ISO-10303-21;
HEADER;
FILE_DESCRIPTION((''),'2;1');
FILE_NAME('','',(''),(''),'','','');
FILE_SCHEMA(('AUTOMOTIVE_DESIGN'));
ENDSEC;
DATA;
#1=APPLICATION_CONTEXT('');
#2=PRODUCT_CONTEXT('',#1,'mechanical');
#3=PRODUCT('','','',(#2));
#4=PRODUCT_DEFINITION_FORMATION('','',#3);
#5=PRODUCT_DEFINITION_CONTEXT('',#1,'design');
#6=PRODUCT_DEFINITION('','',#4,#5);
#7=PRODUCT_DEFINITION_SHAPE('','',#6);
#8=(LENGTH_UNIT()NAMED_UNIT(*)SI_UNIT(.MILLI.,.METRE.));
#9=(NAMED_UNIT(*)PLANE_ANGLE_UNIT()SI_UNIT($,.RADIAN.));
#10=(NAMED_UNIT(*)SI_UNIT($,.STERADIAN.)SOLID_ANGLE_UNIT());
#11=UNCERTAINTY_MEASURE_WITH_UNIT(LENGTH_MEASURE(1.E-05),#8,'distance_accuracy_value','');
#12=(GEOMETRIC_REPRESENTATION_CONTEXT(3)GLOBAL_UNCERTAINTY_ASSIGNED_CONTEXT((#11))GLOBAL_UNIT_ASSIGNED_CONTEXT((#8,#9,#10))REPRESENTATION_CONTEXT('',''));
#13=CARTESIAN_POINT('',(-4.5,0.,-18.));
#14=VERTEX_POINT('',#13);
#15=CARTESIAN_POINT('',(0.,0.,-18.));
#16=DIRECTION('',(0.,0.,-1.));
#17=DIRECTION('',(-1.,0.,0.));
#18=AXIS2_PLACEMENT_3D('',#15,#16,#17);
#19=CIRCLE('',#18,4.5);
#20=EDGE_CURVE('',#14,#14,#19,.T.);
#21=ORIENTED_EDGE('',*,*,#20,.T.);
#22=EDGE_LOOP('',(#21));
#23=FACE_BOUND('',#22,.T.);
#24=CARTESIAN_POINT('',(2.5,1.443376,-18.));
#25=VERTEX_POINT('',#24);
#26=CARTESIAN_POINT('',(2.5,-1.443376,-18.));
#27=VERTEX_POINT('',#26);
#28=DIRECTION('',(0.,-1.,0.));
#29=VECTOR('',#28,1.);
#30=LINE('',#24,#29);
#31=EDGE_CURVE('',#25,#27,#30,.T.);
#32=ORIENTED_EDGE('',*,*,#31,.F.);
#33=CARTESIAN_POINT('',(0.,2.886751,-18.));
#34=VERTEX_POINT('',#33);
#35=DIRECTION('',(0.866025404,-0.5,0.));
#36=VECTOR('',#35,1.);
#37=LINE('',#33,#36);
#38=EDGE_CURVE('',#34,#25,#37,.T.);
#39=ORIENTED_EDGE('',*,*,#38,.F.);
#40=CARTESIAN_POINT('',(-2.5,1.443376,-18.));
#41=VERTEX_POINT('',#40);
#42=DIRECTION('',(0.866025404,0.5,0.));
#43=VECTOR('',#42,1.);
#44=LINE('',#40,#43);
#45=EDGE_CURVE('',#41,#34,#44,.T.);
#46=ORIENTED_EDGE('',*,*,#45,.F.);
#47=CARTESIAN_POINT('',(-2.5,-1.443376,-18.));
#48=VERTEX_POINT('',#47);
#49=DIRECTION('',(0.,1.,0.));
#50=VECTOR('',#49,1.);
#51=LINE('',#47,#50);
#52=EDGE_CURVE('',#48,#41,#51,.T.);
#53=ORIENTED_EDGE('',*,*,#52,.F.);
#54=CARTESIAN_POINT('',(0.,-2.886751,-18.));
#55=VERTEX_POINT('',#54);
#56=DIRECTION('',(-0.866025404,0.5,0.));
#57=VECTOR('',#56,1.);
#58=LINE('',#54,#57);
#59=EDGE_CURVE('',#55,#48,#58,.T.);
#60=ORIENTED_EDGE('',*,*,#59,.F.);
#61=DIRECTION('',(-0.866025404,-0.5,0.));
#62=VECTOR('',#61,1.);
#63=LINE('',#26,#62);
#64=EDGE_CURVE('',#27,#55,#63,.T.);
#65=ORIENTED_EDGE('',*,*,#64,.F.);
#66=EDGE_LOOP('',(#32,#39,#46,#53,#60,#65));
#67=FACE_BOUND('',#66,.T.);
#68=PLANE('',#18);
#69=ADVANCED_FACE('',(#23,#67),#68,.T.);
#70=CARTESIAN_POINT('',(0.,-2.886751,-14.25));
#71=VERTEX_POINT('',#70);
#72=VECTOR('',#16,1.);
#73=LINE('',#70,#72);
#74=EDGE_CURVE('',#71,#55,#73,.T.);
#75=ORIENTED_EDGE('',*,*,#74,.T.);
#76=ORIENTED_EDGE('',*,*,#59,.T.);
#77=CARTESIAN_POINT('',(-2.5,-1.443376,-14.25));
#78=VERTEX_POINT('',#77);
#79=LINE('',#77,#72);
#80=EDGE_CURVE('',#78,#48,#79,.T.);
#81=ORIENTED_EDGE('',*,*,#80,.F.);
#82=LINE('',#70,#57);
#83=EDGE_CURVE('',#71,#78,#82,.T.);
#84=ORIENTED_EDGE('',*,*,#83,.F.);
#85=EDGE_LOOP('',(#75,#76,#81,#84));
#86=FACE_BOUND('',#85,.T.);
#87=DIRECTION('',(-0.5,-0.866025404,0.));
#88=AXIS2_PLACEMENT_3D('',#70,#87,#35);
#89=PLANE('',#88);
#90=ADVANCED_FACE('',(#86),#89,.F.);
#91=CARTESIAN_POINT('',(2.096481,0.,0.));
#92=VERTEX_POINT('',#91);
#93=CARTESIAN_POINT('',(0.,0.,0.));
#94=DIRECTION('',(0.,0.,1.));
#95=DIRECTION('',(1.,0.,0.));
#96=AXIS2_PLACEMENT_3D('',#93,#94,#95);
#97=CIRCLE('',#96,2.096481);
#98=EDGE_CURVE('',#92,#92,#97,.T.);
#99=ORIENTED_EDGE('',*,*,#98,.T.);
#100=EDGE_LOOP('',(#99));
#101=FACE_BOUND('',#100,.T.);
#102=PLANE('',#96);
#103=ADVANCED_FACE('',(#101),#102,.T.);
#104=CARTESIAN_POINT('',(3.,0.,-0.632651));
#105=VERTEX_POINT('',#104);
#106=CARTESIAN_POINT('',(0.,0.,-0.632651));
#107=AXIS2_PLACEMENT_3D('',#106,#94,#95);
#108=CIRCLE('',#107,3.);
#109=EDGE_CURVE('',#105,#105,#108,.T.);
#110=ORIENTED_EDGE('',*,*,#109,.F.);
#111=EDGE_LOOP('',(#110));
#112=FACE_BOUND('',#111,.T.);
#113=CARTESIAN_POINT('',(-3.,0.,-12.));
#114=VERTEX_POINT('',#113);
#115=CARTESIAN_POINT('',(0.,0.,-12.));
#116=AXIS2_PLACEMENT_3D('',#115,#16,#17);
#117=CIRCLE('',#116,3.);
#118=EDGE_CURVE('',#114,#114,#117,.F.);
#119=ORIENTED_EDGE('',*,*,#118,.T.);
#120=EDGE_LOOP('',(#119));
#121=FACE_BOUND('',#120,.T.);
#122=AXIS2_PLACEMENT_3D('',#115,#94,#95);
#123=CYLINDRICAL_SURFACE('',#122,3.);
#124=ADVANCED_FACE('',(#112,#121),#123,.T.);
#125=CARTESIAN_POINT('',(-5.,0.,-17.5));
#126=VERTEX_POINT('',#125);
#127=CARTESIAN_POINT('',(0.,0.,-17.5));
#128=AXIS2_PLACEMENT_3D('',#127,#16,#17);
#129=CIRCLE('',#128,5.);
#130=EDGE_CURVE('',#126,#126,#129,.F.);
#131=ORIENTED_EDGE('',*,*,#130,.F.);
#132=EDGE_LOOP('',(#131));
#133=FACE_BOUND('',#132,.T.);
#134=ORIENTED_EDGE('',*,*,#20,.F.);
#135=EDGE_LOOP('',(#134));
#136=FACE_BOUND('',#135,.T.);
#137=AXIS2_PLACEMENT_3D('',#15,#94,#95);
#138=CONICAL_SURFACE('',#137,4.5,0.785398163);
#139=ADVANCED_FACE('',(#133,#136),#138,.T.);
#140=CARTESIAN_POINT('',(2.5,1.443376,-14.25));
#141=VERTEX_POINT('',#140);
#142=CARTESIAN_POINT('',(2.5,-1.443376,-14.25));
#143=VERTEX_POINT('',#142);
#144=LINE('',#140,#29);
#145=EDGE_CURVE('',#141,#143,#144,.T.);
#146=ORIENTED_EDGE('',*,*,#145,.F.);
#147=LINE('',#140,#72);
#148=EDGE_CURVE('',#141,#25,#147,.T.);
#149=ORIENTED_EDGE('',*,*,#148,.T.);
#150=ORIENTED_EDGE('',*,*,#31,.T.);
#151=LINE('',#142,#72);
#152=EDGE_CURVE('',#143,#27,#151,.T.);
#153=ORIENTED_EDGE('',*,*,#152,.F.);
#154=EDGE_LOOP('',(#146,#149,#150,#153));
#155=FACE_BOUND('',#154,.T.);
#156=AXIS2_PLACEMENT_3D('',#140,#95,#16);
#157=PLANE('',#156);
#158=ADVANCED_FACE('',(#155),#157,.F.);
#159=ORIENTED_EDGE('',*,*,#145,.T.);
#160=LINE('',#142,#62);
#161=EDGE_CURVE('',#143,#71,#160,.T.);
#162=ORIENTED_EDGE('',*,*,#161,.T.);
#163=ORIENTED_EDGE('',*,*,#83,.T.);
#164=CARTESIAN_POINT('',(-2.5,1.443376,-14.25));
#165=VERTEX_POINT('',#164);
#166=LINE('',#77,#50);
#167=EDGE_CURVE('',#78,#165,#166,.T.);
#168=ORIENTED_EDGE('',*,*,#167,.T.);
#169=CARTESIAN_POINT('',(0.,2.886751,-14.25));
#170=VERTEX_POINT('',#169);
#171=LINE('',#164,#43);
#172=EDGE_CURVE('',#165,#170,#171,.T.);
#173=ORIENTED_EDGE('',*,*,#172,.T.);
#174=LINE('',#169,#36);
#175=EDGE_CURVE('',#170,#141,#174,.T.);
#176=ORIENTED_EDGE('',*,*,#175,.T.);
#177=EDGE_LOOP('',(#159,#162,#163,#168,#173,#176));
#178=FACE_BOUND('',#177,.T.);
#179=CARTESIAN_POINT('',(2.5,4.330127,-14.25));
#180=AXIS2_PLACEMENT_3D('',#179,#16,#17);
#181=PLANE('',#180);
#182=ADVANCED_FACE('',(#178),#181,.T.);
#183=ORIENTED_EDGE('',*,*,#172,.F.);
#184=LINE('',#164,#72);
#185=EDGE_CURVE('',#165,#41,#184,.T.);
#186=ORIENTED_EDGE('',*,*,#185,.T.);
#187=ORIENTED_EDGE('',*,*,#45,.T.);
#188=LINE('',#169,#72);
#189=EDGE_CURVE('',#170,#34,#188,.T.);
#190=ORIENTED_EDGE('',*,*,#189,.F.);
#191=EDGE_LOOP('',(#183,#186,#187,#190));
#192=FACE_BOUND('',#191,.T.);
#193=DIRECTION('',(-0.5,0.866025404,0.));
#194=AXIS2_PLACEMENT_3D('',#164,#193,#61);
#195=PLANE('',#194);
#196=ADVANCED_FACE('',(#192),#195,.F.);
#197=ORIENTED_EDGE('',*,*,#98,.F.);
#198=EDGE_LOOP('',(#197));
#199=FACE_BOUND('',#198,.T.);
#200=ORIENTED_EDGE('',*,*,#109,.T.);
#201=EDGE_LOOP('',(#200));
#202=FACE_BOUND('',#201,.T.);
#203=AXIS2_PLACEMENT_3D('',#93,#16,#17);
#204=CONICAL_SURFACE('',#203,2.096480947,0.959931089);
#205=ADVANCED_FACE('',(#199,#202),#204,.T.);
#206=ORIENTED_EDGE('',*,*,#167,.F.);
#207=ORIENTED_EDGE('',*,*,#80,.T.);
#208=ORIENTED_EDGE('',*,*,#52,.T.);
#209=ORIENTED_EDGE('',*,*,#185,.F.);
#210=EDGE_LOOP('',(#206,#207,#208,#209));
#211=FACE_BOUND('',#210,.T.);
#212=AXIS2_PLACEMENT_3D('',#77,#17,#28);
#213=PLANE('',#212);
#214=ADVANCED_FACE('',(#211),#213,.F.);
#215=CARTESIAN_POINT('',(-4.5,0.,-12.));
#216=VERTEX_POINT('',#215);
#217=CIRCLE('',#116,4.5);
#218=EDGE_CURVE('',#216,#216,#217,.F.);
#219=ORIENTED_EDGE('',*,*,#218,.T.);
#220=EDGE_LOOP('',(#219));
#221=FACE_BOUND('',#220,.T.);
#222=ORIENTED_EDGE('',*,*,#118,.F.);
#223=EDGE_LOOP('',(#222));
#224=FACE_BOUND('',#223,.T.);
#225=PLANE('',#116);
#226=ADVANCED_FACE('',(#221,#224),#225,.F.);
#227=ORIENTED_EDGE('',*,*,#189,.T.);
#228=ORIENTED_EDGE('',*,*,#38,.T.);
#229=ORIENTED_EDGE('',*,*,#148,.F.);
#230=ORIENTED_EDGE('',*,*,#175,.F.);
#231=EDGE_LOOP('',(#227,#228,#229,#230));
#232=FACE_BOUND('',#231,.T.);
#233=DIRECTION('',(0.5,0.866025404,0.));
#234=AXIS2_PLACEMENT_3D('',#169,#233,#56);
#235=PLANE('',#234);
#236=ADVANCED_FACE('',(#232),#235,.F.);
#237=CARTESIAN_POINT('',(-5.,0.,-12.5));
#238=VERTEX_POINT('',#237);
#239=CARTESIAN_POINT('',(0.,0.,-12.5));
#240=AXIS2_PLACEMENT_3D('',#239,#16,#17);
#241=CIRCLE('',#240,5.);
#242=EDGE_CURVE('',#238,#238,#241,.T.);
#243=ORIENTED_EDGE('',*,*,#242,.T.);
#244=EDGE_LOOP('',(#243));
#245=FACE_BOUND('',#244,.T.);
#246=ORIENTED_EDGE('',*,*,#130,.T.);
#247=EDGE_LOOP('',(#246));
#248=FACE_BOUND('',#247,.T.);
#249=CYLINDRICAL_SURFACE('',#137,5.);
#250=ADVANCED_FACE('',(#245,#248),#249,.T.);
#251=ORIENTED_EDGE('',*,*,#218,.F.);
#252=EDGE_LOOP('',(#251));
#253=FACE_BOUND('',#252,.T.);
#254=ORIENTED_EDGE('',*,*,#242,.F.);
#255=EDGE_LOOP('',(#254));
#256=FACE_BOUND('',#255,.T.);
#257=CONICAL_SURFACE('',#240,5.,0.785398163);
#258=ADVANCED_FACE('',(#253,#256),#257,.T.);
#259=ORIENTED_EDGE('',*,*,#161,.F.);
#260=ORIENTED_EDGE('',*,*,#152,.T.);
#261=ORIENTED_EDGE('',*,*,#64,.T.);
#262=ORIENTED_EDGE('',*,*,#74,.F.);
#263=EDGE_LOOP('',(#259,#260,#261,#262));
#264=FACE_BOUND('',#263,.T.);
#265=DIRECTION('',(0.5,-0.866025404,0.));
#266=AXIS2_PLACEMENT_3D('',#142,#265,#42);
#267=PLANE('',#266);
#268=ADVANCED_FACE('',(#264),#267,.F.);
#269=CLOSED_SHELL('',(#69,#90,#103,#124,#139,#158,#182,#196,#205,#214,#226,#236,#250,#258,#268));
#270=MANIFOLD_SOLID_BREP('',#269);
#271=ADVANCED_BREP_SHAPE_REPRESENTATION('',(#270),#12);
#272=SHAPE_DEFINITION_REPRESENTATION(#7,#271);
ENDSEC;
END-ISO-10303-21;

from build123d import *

# Parameters (mm, degrees)
SKETCH1_R          = 3
EXTRUDE1_DEPTH     = 12
SKETCH6_R          = 5
EXTRUDE2_DEPTH     = 6
CUT_EXTRUDE1_DEPTH = 3.75
CHAMFER1_SIZE      = 0.5


with BuildPart() as part:
    # Sketch1 → Extrude1 (new body)
    with BuildSketch(Plane.XY):
        Circle(SKETCH1_R)
    extrude(amount=-EXTRUDE1_DEPTH)

    # Sketch4 → Cut-Revolve1 (revolve, cut)
    with BuildSketch(Plane(origin=(0, 0, 0), x_dir=(0, 0, -1), z_dir=(1, 0, 0))):
        Polygon((0.632650852, 3), (0, 2.096480947), (0, 3), align=None)
    revolve(axis=Axis((0, 0, 0), (0, 0, -1)), mode=Mode.SUBTRACT)

    # Sketch6 → Extrude2 (add)
    with BuildSketch(Plane(origin=(0, 0, -12), x_dir=(-1, 0, 0), z_dir=(0, 0, -1))):
        Circle(SKETCH6_R)
    extrude(amount=EXTRUDE2_DEPTH)

    # Sketch7 → Cut-Extrude1 (cut)
    with BuildSketch(Plane(origin=(0, 0, -18), x_dir=(-1, 0, 0), z_dir=(0, 0, -1))):
        Polygon((0, 2.886751346), (-2.5, 1.443375673), (-2.5, -1.443375673), (0, -2.886751346), (2.5, -1.443375673), (2.5, 1.443375673), align=None)
    extrude(amount=-CUT_EXTRUDE1_DEPTH, mode=Mode.SUBTRACT)

    # Chamfer1
    chamfer1_edges = [part.edges().sort_by_distance(p)[0] for p in [
        (5, 0, -18),
        (5, 0, -12),
    ]]
    chamfer(chamfer1_edges, length=CHAMFER1_SIZE)


solid = part.part
